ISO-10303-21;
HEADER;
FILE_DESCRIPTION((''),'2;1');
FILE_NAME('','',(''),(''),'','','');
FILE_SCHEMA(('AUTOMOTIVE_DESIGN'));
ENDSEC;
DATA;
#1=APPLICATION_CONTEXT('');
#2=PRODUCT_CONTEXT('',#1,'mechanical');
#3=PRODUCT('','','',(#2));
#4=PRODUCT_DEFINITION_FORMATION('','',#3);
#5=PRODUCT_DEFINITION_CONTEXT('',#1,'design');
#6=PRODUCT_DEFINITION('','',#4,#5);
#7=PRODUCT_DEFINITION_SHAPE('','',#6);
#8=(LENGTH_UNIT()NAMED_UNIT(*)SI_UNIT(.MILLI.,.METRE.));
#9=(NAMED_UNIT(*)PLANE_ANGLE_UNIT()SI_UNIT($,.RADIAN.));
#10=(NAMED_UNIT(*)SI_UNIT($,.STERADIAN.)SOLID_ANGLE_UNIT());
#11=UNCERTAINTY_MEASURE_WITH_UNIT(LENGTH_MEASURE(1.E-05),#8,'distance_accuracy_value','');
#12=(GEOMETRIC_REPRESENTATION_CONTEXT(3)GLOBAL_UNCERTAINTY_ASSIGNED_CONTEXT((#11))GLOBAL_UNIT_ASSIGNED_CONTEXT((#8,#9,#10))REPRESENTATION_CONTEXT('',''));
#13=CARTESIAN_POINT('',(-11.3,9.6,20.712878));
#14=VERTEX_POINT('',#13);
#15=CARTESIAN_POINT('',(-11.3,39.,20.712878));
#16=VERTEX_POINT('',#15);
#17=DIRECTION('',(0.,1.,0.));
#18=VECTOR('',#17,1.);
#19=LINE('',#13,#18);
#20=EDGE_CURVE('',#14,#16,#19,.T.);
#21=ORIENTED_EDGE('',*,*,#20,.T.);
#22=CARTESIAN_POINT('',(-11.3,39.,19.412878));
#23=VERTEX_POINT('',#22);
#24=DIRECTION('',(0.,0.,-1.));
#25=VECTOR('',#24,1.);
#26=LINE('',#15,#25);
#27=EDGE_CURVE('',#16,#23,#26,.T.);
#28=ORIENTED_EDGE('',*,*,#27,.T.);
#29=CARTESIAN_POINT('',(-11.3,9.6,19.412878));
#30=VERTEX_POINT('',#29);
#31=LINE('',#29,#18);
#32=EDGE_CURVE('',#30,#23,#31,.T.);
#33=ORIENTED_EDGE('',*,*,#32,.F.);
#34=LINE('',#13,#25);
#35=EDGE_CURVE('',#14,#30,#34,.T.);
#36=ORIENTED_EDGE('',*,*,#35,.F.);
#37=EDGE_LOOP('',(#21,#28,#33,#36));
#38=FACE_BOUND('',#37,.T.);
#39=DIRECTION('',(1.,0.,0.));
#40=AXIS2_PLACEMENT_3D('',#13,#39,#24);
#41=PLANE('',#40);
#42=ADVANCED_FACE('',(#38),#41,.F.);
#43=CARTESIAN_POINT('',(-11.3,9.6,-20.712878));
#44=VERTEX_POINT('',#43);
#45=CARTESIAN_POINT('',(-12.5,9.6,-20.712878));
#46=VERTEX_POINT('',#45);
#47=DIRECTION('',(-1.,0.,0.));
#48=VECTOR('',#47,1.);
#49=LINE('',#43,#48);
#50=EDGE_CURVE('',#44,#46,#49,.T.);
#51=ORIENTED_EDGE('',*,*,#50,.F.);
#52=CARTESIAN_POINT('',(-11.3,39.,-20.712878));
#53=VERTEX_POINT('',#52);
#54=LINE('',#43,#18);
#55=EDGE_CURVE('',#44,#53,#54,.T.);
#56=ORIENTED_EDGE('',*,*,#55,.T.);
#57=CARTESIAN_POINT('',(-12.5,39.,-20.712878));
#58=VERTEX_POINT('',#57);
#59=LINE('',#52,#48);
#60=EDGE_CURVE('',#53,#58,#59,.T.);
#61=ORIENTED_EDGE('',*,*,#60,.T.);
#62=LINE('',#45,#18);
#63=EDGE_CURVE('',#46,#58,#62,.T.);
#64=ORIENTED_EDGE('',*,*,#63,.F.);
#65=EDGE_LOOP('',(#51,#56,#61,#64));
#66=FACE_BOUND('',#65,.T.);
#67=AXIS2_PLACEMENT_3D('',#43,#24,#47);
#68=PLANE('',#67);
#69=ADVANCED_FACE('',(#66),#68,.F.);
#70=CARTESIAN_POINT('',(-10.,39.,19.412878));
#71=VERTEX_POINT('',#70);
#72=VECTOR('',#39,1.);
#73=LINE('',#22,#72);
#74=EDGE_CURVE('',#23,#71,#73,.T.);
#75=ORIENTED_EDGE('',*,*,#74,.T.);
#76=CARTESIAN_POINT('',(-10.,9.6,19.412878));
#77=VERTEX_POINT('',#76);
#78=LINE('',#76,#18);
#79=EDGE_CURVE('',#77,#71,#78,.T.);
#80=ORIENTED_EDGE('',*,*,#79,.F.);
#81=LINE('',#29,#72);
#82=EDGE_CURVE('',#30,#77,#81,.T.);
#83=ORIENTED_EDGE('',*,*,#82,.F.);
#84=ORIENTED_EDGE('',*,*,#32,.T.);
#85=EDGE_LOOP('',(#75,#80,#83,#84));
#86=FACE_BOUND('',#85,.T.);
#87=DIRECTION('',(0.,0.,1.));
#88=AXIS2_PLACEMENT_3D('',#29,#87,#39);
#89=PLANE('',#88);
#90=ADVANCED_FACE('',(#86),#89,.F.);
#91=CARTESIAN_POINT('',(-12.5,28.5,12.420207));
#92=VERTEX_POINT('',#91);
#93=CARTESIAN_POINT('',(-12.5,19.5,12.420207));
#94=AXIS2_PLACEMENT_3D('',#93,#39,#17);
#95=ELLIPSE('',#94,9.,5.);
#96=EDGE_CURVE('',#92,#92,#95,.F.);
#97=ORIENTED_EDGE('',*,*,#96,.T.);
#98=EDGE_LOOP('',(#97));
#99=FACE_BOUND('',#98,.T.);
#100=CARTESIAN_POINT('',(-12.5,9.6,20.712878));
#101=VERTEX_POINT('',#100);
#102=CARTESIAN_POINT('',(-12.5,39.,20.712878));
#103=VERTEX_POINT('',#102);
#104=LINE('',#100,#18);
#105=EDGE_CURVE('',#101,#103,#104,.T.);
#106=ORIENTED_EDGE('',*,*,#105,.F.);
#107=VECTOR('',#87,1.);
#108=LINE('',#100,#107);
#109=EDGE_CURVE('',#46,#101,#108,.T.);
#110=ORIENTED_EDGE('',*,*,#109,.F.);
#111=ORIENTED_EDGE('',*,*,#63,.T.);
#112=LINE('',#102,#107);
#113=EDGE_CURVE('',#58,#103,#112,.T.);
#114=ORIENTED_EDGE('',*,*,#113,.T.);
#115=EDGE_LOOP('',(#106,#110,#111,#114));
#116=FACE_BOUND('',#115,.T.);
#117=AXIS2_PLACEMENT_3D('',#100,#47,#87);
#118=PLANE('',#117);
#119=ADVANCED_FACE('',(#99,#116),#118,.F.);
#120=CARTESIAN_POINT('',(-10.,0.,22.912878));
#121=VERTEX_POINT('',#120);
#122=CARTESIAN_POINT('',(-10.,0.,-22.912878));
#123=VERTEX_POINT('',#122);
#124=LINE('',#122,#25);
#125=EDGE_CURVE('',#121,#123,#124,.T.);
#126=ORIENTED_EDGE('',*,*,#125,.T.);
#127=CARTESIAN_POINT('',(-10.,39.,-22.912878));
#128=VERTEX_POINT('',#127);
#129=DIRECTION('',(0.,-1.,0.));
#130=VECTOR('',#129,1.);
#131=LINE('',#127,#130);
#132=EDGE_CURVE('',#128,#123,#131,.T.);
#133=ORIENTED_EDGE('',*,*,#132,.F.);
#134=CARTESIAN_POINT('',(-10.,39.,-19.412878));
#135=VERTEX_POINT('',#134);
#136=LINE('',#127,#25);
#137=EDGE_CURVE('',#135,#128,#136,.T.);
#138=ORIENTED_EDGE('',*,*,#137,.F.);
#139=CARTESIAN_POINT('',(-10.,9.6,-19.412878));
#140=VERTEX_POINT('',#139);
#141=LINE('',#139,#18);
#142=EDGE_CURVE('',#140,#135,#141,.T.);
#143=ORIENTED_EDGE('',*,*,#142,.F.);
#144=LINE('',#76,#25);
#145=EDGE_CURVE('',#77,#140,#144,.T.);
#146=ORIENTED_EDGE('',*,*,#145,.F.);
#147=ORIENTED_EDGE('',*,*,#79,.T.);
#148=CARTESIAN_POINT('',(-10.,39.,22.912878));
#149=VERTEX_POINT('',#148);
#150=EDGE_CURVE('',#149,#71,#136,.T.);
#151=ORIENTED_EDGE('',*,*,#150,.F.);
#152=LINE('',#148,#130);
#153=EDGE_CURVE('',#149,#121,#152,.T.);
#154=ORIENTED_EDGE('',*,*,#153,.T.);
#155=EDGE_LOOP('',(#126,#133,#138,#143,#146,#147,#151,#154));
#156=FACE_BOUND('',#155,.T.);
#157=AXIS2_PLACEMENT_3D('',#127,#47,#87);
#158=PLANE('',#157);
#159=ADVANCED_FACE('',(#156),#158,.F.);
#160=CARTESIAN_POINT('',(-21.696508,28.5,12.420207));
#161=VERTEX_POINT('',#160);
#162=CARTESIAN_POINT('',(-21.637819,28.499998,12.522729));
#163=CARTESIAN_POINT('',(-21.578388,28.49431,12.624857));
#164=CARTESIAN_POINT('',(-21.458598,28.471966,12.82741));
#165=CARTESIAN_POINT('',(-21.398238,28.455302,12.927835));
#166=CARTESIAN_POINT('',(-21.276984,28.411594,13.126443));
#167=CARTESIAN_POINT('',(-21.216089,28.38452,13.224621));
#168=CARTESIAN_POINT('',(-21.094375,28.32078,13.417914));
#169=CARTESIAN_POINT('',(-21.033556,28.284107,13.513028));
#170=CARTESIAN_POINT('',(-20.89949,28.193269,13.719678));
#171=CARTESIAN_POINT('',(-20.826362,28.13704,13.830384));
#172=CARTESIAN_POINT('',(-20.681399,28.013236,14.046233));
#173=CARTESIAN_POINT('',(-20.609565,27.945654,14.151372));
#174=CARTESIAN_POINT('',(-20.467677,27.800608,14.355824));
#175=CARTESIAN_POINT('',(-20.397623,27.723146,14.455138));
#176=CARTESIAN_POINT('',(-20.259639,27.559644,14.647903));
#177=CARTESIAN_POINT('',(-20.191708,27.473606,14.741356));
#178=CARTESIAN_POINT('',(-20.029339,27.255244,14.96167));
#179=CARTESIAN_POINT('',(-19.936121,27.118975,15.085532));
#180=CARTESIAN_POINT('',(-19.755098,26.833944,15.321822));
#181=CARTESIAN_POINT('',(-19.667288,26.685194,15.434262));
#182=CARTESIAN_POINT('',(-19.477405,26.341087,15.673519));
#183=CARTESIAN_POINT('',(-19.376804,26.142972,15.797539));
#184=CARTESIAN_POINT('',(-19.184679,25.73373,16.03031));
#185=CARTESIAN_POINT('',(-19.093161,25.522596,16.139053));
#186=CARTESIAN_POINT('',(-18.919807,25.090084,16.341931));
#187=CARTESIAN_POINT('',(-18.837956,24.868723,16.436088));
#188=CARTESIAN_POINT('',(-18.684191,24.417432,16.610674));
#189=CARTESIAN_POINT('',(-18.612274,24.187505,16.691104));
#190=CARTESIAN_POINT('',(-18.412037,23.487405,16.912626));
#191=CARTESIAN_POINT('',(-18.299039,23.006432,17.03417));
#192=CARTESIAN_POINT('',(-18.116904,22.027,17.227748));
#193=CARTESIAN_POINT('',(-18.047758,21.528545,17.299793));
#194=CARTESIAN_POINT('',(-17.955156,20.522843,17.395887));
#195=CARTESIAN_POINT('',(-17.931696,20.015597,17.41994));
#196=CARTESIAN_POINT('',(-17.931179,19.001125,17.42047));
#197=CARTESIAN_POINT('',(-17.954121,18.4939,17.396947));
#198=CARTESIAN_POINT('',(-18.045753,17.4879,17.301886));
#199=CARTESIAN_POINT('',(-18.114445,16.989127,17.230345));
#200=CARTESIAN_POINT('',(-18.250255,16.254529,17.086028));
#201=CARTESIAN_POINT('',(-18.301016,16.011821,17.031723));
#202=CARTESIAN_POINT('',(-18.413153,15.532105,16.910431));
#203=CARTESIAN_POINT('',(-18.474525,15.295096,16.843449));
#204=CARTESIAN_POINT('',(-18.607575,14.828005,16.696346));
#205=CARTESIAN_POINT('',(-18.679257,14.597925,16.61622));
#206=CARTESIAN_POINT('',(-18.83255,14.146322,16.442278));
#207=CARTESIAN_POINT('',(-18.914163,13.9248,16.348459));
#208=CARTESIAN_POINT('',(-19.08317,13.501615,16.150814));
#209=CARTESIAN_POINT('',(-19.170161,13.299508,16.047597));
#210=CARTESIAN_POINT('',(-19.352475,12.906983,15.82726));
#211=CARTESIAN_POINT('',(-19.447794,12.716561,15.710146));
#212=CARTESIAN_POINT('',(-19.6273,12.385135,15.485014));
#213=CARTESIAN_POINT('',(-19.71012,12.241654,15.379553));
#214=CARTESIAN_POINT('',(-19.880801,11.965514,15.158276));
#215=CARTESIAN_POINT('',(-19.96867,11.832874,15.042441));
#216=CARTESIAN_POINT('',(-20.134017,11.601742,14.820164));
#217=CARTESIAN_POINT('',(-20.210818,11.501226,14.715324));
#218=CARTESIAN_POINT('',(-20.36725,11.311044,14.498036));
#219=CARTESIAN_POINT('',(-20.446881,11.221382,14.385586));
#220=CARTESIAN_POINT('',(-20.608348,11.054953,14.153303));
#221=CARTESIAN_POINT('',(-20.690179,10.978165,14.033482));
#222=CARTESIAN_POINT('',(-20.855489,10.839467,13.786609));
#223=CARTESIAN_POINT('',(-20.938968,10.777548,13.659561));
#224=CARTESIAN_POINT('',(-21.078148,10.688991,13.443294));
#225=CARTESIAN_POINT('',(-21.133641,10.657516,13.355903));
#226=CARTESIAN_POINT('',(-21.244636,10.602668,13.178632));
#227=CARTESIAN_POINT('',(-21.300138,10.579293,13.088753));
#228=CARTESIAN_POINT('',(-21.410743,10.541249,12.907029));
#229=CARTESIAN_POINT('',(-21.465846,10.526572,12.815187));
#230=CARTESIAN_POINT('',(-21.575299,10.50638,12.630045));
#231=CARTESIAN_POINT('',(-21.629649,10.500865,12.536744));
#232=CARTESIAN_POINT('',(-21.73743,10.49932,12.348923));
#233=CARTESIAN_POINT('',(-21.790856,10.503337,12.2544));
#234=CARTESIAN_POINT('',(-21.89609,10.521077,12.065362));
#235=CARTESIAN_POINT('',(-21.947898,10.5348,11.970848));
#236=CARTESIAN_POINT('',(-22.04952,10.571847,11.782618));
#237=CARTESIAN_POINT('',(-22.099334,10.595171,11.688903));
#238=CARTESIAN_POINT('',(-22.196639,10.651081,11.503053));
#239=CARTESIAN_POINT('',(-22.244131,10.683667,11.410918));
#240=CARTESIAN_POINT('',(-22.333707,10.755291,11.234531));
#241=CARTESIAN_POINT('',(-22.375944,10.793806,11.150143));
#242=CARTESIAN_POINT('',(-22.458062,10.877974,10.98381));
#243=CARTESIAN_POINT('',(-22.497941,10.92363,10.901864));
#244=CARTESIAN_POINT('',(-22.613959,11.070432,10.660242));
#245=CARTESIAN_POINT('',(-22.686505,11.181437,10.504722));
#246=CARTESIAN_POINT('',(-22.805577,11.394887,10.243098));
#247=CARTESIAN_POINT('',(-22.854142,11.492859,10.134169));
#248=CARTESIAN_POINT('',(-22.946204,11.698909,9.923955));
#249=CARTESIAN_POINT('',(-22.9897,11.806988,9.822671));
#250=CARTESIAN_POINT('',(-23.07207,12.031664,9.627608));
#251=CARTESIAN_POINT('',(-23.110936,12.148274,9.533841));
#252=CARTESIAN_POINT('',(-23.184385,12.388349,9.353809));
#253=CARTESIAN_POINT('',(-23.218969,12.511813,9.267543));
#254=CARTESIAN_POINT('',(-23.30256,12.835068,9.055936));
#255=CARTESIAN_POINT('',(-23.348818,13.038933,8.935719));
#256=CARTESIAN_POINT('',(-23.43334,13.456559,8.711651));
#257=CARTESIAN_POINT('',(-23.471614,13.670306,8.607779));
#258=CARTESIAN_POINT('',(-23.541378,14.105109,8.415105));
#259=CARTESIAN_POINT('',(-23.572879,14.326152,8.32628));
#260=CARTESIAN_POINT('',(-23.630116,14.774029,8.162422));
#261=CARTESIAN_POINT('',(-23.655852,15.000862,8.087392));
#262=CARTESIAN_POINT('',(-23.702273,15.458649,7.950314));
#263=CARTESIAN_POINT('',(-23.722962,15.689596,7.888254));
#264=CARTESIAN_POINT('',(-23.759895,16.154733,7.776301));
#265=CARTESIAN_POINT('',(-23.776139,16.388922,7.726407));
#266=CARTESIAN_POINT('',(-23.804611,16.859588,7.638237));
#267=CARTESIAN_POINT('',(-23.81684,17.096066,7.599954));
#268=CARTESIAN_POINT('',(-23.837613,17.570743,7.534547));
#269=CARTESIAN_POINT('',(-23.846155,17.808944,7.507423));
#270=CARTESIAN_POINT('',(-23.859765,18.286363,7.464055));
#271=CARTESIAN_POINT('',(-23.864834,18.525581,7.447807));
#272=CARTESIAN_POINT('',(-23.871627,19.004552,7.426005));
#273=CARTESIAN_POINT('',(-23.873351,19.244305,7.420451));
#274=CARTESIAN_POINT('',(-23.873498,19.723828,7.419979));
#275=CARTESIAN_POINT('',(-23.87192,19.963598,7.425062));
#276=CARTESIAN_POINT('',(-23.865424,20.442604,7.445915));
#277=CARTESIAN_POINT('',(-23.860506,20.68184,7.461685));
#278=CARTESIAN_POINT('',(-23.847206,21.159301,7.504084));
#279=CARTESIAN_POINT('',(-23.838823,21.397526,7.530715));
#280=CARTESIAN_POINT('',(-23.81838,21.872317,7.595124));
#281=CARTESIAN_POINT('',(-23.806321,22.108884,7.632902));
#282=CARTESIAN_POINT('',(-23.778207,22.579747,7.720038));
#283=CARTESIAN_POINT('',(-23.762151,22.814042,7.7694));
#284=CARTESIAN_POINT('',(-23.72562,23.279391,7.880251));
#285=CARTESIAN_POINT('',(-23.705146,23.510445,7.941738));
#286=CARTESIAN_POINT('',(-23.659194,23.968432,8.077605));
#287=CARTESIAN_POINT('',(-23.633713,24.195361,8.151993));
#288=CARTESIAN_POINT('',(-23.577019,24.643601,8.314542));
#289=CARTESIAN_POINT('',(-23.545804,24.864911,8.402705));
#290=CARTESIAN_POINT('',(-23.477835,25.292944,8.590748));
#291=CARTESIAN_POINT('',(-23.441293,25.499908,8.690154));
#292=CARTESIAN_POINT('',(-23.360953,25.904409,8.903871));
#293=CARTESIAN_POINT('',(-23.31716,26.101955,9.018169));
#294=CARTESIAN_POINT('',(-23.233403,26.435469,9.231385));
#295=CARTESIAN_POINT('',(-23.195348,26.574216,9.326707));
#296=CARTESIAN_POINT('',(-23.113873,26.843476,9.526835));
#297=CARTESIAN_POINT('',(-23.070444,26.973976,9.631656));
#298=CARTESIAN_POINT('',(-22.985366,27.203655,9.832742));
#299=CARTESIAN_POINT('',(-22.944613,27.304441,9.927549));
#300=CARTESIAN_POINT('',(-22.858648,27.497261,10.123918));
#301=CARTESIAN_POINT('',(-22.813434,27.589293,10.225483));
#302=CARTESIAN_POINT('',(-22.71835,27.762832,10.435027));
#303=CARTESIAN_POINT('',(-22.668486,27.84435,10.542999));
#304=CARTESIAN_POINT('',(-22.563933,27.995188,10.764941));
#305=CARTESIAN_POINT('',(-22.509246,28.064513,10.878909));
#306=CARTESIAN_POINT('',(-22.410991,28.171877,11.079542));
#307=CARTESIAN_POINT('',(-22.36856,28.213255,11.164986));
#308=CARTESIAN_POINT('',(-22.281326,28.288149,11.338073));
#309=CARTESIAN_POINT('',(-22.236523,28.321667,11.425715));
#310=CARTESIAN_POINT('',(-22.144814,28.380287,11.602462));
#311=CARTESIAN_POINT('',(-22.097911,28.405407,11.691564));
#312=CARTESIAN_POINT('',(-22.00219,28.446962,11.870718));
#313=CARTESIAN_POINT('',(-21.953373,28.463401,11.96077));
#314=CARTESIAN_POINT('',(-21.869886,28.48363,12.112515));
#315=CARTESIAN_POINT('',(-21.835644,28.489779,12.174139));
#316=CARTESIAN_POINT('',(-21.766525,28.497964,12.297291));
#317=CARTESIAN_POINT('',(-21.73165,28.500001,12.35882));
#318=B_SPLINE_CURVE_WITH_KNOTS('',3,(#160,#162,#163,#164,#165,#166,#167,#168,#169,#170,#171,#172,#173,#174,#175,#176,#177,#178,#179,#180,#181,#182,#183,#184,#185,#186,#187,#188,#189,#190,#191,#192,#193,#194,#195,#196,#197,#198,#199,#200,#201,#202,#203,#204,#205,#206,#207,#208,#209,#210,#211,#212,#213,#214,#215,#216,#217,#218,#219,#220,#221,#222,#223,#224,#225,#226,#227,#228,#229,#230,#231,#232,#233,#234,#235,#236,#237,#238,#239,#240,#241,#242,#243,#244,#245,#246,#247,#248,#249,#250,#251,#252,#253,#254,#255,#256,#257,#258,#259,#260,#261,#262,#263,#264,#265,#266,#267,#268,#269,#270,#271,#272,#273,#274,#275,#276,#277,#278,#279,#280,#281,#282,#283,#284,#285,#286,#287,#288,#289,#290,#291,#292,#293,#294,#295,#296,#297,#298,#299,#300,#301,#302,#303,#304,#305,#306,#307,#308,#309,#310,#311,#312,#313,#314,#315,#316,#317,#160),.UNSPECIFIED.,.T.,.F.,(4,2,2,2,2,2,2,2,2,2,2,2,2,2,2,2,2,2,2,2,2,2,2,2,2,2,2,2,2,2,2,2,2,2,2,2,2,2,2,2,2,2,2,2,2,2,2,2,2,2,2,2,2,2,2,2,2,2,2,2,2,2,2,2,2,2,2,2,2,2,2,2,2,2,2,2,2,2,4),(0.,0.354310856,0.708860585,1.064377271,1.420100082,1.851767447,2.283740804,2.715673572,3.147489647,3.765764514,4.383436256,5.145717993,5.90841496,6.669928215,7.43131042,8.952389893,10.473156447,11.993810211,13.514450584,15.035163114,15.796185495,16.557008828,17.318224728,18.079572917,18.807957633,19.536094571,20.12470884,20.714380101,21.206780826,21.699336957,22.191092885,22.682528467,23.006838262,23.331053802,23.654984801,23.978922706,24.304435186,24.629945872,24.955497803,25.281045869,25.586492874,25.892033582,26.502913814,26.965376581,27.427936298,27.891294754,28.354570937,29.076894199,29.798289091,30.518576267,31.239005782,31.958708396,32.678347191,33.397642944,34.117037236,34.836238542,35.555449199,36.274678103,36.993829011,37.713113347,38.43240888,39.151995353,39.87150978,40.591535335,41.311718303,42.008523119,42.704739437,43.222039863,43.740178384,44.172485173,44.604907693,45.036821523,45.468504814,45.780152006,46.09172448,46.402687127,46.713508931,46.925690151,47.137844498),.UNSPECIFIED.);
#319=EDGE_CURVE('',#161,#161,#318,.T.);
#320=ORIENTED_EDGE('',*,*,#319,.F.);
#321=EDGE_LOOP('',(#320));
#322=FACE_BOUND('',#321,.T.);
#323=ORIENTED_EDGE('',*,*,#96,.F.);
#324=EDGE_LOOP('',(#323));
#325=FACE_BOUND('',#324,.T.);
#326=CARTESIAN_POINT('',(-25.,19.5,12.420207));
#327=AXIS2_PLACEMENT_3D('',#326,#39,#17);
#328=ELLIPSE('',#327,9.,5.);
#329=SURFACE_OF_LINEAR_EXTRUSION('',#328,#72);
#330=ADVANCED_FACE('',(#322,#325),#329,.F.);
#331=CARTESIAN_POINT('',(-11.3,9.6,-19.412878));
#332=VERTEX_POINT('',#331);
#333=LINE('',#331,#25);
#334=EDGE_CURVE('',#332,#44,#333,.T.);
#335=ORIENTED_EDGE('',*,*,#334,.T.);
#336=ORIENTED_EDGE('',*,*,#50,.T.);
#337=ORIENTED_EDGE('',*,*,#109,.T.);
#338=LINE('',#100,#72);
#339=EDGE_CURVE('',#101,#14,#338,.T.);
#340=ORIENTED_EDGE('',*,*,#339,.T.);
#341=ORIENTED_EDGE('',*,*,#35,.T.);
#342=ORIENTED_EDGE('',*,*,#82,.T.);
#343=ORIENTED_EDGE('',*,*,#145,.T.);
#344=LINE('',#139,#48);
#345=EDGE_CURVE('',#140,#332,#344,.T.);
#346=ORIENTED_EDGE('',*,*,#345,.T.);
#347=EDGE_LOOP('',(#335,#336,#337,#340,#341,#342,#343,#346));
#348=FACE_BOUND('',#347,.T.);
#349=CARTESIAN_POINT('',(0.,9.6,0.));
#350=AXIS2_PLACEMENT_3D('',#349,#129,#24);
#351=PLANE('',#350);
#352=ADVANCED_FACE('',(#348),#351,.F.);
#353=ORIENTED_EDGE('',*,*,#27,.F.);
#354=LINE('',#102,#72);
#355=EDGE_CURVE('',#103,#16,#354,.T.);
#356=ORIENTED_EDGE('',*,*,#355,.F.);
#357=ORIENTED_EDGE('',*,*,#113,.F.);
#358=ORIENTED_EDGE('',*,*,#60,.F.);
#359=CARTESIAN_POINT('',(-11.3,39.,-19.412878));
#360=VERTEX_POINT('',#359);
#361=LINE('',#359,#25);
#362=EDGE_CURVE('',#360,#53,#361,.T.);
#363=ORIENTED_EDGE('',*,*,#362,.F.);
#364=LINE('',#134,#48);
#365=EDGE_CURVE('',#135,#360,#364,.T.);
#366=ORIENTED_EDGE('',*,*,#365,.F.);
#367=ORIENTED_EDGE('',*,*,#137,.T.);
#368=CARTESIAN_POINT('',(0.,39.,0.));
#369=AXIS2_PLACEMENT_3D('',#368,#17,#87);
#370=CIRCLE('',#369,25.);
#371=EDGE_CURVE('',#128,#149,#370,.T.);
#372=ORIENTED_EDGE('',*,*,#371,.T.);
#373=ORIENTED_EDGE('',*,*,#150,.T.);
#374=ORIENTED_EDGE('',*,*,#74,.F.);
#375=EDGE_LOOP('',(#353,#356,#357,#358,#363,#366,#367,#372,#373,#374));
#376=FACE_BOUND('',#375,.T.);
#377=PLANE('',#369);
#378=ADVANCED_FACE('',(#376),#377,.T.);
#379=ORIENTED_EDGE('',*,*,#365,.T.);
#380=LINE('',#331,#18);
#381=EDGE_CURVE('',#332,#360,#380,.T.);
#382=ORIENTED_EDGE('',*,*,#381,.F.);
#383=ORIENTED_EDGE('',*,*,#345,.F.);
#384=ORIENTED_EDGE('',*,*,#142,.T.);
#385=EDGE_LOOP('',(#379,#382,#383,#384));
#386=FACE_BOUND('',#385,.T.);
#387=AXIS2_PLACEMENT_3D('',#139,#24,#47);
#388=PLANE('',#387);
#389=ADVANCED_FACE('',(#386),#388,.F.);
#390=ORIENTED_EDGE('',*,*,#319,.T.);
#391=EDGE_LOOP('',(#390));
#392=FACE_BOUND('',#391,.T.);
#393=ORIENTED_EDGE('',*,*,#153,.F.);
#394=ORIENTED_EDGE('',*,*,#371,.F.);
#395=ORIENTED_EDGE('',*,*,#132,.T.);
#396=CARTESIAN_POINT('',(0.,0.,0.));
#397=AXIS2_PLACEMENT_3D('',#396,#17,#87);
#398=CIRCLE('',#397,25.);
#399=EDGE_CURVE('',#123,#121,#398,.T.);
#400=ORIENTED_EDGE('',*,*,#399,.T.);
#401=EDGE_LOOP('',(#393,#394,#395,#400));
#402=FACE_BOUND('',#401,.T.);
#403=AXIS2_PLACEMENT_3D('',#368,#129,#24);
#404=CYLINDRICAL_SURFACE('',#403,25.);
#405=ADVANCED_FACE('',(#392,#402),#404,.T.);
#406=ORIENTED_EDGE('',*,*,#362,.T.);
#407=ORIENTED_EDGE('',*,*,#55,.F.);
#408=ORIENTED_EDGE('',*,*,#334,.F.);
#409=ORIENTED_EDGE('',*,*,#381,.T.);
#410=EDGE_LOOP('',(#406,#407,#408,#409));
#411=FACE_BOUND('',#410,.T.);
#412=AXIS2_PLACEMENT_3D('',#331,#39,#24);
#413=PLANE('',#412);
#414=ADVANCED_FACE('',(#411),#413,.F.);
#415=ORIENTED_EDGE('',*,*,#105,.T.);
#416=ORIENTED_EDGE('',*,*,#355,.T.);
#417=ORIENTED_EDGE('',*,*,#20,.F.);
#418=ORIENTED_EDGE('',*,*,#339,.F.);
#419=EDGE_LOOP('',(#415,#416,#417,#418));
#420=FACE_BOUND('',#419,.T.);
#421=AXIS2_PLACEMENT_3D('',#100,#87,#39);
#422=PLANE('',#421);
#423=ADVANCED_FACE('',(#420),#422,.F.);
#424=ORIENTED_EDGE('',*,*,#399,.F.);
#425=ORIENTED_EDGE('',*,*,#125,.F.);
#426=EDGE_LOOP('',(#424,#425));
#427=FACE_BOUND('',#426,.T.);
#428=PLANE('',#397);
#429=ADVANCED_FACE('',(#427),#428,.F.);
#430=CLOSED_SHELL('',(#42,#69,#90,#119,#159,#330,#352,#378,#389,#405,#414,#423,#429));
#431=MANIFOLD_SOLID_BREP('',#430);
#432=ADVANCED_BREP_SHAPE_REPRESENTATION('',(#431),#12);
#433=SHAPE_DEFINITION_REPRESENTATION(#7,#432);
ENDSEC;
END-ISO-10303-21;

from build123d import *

# Parameters (mm, degrees)
BOSS_EXTRUDE1_DEPTH     = 39
CUT_EXTRUDE1_DEPTH      = 29.4
SKETCH3_RX              = 9
SKETCH3_RY              = 5
CUT_EXTRUDE2_DEPTH      = 3.5
CUT_EXTRUDE2_DEPTH_BACK = 13.5


with BuildPart() as part:
    # Sketch1 → Boss-Extrude1 (new body)
    with BuildSketch(Plane(origin=(0, 0, 0), x_dir=(1, 0, 0), z_dir=(0, 1, 0))):
        with BuildLine():
            Line((-10, 22.912878475), (-10, -22.912878475))
            ThreePointArc((-10, -22.912878475), (-25, 0), (-10, 22.912878475))
        make_face()
    extrude(amount=BOSS_EXTRUDE1_DEPTH)

    # Sketch2 → Cut-Extrude1 (cut)
    with BuildSketch(Plane(origin=(0, 39, 0), x_dir=(1, 0, 0), z_dir=(0, 1, 0))):
        Polygon((-10, 19.412878475), (-11.3, 19.412878475), (-11.3, 20.712878475), (-12.5, 20.712878475), (-12.5, -20.712878475), (-11.3, -20.712878475), (-11.3, -19.412878475), (-10, -19.412878475), align=None)
    extrude(amount=-CUT_EXTRUDE1_DEPTH, mode=Mode.SUBTRACT)

    # Sketch3 → Cut-Extrude2 (cut, two sides)
    with BuildSketch(Plane(origin=(-12.5, 0, 0), x_dir=(0, 0, -1), z_dir=(1, 0, 0))) as cut_extrude2_sk:
        with Locations(Location((-12.420207371, 19.5), (0, 0, 90))):
            Ellipse(SKETCH3_RX, SKETCH3_RY)
    extrude(amount=CUT_EXTRUDE2_DEPTH, mode=Mode.SUBTRACT)
    extrude(cut_extrude2_sk.sketch, amount=-CUT_EXTRUDE2_DEPTH_BACK, mode=Mode.SUBTRACT)


solid = part.part
